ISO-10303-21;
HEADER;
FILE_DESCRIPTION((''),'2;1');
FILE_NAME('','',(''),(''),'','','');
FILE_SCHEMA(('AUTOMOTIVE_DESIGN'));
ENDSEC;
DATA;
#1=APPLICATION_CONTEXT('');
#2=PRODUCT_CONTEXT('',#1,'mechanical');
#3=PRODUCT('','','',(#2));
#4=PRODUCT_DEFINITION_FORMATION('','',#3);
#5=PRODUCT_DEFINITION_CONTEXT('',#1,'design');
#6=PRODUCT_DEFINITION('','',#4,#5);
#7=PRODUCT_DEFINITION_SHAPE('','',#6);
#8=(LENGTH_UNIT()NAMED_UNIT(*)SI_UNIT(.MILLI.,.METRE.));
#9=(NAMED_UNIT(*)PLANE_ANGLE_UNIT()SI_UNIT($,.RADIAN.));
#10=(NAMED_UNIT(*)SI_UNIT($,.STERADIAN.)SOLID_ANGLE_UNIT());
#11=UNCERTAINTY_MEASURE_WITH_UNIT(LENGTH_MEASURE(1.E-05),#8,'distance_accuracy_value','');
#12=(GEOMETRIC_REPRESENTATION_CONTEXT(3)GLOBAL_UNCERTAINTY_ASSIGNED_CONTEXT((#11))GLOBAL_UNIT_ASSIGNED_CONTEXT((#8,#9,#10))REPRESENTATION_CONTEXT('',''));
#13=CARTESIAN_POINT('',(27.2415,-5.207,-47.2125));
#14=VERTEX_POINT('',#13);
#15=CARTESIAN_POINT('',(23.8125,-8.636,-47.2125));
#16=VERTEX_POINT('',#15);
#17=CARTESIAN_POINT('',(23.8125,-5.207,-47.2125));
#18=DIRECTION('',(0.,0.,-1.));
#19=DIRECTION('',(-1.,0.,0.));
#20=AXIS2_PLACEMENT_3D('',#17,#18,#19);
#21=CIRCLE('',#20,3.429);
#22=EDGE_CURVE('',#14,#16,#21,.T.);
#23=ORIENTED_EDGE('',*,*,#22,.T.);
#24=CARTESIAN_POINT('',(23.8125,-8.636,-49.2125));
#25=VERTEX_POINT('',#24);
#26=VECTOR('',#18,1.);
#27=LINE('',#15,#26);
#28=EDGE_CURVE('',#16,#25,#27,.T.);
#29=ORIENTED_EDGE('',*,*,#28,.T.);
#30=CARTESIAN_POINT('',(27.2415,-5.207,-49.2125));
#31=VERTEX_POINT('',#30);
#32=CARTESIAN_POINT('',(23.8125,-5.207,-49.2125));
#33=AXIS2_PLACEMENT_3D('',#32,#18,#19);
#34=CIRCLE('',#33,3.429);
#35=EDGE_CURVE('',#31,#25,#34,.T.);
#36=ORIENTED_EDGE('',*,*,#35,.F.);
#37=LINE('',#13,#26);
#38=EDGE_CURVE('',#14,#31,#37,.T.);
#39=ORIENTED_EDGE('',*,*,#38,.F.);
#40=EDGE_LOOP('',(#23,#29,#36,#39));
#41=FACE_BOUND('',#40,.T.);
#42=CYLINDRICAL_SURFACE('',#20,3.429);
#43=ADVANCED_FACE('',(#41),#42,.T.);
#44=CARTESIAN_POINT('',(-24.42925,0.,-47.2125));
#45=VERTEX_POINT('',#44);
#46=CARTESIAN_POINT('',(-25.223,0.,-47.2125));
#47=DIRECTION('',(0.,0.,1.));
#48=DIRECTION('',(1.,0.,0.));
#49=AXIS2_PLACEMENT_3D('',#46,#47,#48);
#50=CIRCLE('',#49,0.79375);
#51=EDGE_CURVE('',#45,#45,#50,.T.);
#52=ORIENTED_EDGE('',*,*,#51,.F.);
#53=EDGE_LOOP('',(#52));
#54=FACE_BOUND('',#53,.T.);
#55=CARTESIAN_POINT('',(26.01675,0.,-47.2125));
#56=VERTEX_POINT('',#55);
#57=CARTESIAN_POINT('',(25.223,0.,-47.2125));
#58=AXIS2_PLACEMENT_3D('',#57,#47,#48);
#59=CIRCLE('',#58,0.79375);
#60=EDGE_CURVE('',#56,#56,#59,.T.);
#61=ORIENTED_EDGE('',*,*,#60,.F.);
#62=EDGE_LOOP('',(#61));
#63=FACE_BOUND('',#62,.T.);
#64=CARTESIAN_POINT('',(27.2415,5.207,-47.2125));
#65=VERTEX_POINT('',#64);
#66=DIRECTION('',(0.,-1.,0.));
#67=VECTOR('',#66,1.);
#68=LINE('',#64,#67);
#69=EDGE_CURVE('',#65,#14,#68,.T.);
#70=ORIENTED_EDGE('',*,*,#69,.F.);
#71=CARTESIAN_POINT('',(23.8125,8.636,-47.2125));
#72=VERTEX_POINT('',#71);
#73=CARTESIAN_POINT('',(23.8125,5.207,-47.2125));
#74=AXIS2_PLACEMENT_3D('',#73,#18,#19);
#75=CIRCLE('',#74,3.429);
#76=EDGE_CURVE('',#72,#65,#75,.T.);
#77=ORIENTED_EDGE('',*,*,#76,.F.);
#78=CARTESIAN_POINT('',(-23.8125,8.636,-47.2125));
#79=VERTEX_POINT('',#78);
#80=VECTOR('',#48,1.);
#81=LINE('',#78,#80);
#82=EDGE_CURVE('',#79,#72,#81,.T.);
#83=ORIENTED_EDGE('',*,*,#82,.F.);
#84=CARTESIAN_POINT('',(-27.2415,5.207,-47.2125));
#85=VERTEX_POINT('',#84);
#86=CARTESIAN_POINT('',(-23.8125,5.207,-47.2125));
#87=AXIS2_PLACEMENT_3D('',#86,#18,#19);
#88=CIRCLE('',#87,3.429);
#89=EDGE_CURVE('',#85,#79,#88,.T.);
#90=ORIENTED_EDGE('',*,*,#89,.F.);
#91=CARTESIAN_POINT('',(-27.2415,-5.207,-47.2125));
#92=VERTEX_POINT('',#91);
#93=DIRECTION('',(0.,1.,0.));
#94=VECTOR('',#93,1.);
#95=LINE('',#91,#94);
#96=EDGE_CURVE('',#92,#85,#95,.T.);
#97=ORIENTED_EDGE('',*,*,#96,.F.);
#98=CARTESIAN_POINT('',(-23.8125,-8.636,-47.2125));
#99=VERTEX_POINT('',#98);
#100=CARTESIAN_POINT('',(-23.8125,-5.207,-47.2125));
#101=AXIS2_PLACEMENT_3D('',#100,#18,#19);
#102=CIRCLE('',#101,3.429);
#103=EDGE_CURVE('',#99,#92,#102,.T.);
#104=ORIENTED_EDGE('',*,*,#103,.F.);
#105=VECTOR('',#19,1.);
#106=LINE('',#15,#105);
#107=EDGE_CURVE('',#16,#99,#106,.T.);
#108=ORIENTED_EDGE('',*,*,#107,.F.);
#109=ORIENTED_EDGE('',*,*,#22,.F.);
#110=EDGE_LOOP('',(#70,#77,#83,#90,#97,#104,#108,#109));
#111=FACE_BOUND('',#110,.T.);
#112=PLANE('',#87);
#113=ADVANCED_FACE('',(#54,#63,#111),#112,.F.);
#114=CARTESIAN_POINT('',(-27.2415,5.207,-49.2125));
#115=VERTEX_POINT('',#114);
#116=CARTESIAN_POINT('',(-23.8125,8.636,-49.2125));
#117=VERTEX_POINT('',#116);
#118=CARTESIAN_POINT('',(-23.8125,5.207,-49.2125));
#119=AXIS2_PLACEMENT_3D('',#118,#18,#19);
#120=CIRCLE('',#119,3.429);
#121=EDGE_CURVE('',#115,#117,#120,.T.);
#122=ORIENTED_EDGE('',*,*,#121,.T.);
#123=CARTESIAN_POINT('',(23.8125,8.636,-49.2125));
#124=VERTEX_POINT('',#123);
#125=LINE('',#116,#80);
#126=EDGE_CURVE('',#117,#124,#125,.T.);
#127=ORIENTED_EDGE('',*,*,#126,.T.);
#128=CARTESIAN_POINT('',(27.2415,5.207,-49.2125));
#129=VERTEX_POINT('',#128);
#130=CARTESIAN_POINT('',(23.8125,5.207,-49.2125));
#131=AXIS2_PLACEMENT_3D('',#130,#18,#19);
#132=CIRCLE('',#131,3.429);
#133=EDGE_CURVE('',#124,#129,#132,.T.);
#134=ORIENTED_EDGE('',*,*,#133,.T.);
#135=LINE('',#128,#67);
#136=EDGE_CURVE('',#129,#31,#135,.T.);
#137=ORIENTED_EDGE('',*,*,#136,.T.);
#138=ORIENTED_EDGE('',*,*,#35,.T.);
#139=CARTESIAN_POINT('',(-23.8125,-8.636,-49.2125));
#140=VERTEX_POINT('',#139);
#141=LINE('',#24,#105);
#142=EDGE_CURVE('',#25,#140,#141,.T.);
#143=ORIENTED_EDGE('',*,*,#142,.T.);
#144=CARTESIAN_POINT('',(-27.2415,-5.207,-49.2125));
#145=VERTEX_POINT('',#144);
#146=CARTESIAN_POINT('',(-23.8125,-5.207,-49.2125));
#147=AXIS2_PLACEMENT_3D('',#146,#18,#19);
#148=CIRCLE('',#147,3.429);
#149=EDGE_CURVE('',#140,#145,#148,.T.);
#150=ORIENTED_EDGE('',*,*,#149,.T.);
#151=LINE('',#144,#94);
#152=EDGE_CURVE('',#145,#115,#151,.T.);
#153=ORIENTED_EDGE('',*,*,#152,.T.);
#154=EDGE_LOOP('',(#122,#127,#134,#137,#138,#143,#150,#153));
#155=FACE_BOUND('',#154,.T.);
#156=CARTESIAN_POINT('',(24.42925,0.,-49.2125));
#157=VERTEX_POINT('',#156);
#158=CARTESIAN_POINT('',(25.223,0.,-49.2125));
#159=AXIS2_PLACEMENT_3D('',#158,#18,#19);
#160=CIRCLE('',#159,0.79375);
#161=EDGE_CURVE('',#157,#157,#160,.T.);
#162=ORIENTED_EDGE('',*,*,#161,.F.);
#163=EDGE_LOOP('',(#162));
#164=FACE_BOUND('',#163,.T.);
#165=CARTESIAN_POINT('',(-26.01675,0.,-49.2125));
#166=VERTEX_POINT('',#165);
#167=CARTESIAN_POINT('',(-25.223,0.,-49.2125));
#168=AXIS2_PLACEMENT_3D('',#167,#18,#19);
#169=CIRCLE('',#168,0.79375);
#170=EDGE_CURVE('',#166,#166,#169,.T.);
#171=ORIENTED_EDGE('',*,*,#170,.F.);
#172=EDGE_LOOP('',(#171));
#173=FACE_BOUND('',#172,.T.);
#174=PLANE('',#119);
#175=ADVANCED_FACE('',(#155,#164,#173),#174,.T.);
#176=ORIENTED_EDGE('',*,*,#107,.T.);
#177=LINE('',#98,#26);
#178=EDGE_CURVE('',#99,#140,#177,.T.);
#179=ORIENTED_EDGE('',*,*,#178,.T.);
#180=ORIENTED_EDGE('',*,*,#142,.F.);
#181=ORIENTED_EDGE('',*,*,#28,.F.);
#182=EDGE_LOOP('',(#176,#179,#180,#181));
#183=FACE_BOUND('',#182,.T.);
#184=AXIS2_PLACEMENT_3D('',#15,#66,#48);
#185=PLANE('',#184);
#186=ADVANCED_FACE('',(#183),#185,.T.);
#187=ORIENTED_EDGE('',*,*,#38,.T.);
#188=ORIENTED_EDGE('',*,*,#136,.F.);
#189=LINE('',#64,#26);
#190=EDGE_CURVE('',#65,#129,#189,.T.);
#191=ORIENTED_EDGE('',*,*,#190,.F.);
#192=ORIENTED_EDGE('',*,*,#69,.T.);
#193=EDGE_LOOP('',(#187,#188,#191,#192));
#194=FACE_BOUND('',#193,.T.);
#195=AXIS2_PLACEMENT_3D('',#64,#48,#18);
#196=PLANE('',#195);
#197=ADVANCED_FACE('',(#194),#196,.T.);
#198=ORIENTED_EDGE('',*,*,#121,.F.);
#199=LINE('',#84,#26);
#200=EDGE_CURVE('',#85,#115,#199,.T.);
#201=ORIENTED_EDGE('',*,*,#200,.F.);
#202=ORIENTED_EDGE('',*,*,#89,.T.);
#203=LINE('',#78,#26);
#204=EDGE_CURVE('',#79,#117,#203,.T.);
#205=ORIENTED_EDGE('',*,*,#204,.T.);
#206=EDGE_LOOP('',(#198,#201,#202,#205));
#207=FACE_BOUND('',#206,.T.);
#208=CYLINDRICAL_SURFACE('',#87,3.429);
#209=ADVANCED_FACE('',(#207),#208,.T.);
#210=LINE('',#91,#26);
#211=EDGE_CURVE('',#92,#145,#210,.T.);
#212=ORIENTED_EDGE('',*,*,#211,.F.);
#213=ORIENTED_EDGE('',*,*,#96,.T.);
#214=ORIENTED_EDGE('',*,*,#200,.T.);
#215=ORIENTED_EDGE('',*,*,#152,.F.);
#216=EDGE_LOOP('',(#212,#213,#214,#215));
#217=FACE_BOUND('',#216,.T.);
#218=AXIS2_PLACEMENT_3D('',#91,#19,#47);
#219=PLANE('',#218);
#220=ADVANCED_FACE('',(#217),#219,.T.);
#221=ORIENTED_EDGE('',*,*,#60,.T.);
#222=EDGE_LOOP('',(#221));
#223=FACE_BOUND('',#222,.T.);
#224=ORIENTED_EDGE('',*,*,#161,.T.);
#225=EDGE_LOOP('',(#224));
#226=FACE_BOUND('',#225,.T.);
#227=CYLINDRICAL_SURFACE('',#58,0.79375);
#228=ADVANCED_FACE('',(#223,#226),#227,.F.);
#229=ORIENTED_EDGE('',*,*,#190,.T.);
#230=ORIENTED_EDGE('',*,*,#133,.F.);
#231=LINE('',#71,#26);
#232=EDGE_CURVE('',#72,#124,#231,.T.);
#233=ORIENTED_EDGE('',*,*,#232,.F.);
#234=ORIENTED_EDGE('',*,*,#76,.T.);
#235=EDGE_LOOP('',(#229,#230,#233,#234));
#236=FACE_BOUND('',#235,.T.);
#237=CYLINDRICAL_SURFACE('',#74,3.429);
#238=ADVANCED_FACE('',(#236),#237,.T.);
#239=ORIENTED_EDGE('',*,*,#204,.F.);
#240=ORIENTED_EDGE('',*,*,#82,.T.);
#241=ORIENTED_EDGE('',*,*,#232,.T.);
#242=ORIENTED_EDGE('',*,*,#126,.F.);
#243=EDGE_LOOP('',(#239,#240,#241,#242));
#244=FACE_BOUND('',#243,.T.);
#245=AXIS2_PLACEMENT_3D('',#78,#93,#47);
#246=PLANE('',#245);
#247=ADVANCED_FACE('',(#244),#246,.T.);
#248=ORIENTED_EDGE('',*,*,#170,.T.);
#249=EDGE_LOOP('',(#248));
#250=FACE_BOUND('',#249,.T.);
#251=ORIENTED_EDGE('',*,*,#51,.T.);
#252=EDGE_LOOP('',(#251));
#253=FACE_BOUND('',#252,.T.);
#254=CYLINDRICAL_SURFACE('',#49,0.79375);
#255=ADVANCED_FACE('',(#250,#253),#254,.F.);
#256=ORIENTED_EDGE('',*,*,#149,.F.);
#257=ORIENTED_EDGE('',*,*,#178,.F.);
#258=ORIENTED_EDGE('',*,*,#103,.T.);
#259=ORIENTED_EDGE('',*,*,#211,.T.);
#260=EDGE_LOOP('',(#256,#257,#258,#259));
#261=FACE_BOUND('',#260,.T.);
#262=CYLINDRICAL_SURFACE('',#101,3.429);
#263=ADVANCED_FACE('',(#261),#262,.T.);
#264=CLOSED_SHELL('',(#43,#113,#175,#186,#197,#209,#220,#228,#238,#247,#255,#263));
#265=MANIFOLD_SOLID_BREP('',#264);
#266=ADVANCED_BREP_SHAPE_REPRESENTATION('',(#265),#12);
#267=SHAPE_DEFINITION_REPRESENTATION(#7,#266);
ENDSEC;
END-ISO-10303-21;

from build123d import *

# Parameters (mm, degrees)
BOSS_EXTRUDE1_DEPTH                = 2
F_1_16_0_0625_DIAMETER_HOLE2_D     = 1.5875
F_1_16_0_0625_DIAMETER_HOLE2_DEPTH = 19.05
F_1_16_0_0625_DIAMETER_HOLE2_TIP   = 0.476933116


with BuildPart() as part:
    # Sketch1 → Boss-Extrude1 (new body)
    with BuildSketch(Plane(origin=(0, 0, -49.2125), x_dir=(-1, 0, 0), z_dir=(0, 0, -1))):
        with BuildLine():
            Line((23.8125, 8.636), (-23.8125, 8.636))
            ThreePointArc((-23.8125, 8.636), (-26.237169153, 7.631669153), (-27.2415, 5.207))
            Line((-27.2415, 5.207), (-27.2415, -5.207))
            ThreePointArc((-27.2415, -5.207), (-26.237169153, -7.631669153), (-23.8125, -8.636))
            Line((-23.8125, -8.636), (23.8125, -8.636))
            ThreePointArc((23.8125, -8.636), (26.237169153, -7.631669153), (27.2415, -5.207))
            Line((27.2415, -5.207), (27.2415, 5.207))
            ThreePointArc((27.2415, 5.207), (26.237169153, 7.631669153), (23.8125, 8.636))
        make_face()
    extrude(amount=-BOSS_EXTRUDE1_DEPTH)

    # 1/16 (0.0625) Diameter Hole2
    with Locations(Plane(origin=(25.223, 0, -47.2125), x_dir=(1, 0, 0), z_dir=(0, 0, 1))):
        with Locations((0, 0), (-50.446, 0)):
            Hole(F_1_16_0_0625_DIAMETER_HOLE2_D / 2, depth=F_1_16_0_0625_DIAMETER_HOLE2_DEPTH)
            with Locations((0, 0, -(F_1_16_0_0625_DIAMETER_HOLE2_DEPTH + F_1_16_0_0625_DIAMETER_HOLE2_TIP / 2))):  # 118° drill point
                Cone(0, F_1_16_0_0625_DIAMETER_HOLE2_D / 2, F_1_16_0_0625_DIAMETER_HOLE2_TIP, mode=Mode.SUBTRACT)


solid = part.part
